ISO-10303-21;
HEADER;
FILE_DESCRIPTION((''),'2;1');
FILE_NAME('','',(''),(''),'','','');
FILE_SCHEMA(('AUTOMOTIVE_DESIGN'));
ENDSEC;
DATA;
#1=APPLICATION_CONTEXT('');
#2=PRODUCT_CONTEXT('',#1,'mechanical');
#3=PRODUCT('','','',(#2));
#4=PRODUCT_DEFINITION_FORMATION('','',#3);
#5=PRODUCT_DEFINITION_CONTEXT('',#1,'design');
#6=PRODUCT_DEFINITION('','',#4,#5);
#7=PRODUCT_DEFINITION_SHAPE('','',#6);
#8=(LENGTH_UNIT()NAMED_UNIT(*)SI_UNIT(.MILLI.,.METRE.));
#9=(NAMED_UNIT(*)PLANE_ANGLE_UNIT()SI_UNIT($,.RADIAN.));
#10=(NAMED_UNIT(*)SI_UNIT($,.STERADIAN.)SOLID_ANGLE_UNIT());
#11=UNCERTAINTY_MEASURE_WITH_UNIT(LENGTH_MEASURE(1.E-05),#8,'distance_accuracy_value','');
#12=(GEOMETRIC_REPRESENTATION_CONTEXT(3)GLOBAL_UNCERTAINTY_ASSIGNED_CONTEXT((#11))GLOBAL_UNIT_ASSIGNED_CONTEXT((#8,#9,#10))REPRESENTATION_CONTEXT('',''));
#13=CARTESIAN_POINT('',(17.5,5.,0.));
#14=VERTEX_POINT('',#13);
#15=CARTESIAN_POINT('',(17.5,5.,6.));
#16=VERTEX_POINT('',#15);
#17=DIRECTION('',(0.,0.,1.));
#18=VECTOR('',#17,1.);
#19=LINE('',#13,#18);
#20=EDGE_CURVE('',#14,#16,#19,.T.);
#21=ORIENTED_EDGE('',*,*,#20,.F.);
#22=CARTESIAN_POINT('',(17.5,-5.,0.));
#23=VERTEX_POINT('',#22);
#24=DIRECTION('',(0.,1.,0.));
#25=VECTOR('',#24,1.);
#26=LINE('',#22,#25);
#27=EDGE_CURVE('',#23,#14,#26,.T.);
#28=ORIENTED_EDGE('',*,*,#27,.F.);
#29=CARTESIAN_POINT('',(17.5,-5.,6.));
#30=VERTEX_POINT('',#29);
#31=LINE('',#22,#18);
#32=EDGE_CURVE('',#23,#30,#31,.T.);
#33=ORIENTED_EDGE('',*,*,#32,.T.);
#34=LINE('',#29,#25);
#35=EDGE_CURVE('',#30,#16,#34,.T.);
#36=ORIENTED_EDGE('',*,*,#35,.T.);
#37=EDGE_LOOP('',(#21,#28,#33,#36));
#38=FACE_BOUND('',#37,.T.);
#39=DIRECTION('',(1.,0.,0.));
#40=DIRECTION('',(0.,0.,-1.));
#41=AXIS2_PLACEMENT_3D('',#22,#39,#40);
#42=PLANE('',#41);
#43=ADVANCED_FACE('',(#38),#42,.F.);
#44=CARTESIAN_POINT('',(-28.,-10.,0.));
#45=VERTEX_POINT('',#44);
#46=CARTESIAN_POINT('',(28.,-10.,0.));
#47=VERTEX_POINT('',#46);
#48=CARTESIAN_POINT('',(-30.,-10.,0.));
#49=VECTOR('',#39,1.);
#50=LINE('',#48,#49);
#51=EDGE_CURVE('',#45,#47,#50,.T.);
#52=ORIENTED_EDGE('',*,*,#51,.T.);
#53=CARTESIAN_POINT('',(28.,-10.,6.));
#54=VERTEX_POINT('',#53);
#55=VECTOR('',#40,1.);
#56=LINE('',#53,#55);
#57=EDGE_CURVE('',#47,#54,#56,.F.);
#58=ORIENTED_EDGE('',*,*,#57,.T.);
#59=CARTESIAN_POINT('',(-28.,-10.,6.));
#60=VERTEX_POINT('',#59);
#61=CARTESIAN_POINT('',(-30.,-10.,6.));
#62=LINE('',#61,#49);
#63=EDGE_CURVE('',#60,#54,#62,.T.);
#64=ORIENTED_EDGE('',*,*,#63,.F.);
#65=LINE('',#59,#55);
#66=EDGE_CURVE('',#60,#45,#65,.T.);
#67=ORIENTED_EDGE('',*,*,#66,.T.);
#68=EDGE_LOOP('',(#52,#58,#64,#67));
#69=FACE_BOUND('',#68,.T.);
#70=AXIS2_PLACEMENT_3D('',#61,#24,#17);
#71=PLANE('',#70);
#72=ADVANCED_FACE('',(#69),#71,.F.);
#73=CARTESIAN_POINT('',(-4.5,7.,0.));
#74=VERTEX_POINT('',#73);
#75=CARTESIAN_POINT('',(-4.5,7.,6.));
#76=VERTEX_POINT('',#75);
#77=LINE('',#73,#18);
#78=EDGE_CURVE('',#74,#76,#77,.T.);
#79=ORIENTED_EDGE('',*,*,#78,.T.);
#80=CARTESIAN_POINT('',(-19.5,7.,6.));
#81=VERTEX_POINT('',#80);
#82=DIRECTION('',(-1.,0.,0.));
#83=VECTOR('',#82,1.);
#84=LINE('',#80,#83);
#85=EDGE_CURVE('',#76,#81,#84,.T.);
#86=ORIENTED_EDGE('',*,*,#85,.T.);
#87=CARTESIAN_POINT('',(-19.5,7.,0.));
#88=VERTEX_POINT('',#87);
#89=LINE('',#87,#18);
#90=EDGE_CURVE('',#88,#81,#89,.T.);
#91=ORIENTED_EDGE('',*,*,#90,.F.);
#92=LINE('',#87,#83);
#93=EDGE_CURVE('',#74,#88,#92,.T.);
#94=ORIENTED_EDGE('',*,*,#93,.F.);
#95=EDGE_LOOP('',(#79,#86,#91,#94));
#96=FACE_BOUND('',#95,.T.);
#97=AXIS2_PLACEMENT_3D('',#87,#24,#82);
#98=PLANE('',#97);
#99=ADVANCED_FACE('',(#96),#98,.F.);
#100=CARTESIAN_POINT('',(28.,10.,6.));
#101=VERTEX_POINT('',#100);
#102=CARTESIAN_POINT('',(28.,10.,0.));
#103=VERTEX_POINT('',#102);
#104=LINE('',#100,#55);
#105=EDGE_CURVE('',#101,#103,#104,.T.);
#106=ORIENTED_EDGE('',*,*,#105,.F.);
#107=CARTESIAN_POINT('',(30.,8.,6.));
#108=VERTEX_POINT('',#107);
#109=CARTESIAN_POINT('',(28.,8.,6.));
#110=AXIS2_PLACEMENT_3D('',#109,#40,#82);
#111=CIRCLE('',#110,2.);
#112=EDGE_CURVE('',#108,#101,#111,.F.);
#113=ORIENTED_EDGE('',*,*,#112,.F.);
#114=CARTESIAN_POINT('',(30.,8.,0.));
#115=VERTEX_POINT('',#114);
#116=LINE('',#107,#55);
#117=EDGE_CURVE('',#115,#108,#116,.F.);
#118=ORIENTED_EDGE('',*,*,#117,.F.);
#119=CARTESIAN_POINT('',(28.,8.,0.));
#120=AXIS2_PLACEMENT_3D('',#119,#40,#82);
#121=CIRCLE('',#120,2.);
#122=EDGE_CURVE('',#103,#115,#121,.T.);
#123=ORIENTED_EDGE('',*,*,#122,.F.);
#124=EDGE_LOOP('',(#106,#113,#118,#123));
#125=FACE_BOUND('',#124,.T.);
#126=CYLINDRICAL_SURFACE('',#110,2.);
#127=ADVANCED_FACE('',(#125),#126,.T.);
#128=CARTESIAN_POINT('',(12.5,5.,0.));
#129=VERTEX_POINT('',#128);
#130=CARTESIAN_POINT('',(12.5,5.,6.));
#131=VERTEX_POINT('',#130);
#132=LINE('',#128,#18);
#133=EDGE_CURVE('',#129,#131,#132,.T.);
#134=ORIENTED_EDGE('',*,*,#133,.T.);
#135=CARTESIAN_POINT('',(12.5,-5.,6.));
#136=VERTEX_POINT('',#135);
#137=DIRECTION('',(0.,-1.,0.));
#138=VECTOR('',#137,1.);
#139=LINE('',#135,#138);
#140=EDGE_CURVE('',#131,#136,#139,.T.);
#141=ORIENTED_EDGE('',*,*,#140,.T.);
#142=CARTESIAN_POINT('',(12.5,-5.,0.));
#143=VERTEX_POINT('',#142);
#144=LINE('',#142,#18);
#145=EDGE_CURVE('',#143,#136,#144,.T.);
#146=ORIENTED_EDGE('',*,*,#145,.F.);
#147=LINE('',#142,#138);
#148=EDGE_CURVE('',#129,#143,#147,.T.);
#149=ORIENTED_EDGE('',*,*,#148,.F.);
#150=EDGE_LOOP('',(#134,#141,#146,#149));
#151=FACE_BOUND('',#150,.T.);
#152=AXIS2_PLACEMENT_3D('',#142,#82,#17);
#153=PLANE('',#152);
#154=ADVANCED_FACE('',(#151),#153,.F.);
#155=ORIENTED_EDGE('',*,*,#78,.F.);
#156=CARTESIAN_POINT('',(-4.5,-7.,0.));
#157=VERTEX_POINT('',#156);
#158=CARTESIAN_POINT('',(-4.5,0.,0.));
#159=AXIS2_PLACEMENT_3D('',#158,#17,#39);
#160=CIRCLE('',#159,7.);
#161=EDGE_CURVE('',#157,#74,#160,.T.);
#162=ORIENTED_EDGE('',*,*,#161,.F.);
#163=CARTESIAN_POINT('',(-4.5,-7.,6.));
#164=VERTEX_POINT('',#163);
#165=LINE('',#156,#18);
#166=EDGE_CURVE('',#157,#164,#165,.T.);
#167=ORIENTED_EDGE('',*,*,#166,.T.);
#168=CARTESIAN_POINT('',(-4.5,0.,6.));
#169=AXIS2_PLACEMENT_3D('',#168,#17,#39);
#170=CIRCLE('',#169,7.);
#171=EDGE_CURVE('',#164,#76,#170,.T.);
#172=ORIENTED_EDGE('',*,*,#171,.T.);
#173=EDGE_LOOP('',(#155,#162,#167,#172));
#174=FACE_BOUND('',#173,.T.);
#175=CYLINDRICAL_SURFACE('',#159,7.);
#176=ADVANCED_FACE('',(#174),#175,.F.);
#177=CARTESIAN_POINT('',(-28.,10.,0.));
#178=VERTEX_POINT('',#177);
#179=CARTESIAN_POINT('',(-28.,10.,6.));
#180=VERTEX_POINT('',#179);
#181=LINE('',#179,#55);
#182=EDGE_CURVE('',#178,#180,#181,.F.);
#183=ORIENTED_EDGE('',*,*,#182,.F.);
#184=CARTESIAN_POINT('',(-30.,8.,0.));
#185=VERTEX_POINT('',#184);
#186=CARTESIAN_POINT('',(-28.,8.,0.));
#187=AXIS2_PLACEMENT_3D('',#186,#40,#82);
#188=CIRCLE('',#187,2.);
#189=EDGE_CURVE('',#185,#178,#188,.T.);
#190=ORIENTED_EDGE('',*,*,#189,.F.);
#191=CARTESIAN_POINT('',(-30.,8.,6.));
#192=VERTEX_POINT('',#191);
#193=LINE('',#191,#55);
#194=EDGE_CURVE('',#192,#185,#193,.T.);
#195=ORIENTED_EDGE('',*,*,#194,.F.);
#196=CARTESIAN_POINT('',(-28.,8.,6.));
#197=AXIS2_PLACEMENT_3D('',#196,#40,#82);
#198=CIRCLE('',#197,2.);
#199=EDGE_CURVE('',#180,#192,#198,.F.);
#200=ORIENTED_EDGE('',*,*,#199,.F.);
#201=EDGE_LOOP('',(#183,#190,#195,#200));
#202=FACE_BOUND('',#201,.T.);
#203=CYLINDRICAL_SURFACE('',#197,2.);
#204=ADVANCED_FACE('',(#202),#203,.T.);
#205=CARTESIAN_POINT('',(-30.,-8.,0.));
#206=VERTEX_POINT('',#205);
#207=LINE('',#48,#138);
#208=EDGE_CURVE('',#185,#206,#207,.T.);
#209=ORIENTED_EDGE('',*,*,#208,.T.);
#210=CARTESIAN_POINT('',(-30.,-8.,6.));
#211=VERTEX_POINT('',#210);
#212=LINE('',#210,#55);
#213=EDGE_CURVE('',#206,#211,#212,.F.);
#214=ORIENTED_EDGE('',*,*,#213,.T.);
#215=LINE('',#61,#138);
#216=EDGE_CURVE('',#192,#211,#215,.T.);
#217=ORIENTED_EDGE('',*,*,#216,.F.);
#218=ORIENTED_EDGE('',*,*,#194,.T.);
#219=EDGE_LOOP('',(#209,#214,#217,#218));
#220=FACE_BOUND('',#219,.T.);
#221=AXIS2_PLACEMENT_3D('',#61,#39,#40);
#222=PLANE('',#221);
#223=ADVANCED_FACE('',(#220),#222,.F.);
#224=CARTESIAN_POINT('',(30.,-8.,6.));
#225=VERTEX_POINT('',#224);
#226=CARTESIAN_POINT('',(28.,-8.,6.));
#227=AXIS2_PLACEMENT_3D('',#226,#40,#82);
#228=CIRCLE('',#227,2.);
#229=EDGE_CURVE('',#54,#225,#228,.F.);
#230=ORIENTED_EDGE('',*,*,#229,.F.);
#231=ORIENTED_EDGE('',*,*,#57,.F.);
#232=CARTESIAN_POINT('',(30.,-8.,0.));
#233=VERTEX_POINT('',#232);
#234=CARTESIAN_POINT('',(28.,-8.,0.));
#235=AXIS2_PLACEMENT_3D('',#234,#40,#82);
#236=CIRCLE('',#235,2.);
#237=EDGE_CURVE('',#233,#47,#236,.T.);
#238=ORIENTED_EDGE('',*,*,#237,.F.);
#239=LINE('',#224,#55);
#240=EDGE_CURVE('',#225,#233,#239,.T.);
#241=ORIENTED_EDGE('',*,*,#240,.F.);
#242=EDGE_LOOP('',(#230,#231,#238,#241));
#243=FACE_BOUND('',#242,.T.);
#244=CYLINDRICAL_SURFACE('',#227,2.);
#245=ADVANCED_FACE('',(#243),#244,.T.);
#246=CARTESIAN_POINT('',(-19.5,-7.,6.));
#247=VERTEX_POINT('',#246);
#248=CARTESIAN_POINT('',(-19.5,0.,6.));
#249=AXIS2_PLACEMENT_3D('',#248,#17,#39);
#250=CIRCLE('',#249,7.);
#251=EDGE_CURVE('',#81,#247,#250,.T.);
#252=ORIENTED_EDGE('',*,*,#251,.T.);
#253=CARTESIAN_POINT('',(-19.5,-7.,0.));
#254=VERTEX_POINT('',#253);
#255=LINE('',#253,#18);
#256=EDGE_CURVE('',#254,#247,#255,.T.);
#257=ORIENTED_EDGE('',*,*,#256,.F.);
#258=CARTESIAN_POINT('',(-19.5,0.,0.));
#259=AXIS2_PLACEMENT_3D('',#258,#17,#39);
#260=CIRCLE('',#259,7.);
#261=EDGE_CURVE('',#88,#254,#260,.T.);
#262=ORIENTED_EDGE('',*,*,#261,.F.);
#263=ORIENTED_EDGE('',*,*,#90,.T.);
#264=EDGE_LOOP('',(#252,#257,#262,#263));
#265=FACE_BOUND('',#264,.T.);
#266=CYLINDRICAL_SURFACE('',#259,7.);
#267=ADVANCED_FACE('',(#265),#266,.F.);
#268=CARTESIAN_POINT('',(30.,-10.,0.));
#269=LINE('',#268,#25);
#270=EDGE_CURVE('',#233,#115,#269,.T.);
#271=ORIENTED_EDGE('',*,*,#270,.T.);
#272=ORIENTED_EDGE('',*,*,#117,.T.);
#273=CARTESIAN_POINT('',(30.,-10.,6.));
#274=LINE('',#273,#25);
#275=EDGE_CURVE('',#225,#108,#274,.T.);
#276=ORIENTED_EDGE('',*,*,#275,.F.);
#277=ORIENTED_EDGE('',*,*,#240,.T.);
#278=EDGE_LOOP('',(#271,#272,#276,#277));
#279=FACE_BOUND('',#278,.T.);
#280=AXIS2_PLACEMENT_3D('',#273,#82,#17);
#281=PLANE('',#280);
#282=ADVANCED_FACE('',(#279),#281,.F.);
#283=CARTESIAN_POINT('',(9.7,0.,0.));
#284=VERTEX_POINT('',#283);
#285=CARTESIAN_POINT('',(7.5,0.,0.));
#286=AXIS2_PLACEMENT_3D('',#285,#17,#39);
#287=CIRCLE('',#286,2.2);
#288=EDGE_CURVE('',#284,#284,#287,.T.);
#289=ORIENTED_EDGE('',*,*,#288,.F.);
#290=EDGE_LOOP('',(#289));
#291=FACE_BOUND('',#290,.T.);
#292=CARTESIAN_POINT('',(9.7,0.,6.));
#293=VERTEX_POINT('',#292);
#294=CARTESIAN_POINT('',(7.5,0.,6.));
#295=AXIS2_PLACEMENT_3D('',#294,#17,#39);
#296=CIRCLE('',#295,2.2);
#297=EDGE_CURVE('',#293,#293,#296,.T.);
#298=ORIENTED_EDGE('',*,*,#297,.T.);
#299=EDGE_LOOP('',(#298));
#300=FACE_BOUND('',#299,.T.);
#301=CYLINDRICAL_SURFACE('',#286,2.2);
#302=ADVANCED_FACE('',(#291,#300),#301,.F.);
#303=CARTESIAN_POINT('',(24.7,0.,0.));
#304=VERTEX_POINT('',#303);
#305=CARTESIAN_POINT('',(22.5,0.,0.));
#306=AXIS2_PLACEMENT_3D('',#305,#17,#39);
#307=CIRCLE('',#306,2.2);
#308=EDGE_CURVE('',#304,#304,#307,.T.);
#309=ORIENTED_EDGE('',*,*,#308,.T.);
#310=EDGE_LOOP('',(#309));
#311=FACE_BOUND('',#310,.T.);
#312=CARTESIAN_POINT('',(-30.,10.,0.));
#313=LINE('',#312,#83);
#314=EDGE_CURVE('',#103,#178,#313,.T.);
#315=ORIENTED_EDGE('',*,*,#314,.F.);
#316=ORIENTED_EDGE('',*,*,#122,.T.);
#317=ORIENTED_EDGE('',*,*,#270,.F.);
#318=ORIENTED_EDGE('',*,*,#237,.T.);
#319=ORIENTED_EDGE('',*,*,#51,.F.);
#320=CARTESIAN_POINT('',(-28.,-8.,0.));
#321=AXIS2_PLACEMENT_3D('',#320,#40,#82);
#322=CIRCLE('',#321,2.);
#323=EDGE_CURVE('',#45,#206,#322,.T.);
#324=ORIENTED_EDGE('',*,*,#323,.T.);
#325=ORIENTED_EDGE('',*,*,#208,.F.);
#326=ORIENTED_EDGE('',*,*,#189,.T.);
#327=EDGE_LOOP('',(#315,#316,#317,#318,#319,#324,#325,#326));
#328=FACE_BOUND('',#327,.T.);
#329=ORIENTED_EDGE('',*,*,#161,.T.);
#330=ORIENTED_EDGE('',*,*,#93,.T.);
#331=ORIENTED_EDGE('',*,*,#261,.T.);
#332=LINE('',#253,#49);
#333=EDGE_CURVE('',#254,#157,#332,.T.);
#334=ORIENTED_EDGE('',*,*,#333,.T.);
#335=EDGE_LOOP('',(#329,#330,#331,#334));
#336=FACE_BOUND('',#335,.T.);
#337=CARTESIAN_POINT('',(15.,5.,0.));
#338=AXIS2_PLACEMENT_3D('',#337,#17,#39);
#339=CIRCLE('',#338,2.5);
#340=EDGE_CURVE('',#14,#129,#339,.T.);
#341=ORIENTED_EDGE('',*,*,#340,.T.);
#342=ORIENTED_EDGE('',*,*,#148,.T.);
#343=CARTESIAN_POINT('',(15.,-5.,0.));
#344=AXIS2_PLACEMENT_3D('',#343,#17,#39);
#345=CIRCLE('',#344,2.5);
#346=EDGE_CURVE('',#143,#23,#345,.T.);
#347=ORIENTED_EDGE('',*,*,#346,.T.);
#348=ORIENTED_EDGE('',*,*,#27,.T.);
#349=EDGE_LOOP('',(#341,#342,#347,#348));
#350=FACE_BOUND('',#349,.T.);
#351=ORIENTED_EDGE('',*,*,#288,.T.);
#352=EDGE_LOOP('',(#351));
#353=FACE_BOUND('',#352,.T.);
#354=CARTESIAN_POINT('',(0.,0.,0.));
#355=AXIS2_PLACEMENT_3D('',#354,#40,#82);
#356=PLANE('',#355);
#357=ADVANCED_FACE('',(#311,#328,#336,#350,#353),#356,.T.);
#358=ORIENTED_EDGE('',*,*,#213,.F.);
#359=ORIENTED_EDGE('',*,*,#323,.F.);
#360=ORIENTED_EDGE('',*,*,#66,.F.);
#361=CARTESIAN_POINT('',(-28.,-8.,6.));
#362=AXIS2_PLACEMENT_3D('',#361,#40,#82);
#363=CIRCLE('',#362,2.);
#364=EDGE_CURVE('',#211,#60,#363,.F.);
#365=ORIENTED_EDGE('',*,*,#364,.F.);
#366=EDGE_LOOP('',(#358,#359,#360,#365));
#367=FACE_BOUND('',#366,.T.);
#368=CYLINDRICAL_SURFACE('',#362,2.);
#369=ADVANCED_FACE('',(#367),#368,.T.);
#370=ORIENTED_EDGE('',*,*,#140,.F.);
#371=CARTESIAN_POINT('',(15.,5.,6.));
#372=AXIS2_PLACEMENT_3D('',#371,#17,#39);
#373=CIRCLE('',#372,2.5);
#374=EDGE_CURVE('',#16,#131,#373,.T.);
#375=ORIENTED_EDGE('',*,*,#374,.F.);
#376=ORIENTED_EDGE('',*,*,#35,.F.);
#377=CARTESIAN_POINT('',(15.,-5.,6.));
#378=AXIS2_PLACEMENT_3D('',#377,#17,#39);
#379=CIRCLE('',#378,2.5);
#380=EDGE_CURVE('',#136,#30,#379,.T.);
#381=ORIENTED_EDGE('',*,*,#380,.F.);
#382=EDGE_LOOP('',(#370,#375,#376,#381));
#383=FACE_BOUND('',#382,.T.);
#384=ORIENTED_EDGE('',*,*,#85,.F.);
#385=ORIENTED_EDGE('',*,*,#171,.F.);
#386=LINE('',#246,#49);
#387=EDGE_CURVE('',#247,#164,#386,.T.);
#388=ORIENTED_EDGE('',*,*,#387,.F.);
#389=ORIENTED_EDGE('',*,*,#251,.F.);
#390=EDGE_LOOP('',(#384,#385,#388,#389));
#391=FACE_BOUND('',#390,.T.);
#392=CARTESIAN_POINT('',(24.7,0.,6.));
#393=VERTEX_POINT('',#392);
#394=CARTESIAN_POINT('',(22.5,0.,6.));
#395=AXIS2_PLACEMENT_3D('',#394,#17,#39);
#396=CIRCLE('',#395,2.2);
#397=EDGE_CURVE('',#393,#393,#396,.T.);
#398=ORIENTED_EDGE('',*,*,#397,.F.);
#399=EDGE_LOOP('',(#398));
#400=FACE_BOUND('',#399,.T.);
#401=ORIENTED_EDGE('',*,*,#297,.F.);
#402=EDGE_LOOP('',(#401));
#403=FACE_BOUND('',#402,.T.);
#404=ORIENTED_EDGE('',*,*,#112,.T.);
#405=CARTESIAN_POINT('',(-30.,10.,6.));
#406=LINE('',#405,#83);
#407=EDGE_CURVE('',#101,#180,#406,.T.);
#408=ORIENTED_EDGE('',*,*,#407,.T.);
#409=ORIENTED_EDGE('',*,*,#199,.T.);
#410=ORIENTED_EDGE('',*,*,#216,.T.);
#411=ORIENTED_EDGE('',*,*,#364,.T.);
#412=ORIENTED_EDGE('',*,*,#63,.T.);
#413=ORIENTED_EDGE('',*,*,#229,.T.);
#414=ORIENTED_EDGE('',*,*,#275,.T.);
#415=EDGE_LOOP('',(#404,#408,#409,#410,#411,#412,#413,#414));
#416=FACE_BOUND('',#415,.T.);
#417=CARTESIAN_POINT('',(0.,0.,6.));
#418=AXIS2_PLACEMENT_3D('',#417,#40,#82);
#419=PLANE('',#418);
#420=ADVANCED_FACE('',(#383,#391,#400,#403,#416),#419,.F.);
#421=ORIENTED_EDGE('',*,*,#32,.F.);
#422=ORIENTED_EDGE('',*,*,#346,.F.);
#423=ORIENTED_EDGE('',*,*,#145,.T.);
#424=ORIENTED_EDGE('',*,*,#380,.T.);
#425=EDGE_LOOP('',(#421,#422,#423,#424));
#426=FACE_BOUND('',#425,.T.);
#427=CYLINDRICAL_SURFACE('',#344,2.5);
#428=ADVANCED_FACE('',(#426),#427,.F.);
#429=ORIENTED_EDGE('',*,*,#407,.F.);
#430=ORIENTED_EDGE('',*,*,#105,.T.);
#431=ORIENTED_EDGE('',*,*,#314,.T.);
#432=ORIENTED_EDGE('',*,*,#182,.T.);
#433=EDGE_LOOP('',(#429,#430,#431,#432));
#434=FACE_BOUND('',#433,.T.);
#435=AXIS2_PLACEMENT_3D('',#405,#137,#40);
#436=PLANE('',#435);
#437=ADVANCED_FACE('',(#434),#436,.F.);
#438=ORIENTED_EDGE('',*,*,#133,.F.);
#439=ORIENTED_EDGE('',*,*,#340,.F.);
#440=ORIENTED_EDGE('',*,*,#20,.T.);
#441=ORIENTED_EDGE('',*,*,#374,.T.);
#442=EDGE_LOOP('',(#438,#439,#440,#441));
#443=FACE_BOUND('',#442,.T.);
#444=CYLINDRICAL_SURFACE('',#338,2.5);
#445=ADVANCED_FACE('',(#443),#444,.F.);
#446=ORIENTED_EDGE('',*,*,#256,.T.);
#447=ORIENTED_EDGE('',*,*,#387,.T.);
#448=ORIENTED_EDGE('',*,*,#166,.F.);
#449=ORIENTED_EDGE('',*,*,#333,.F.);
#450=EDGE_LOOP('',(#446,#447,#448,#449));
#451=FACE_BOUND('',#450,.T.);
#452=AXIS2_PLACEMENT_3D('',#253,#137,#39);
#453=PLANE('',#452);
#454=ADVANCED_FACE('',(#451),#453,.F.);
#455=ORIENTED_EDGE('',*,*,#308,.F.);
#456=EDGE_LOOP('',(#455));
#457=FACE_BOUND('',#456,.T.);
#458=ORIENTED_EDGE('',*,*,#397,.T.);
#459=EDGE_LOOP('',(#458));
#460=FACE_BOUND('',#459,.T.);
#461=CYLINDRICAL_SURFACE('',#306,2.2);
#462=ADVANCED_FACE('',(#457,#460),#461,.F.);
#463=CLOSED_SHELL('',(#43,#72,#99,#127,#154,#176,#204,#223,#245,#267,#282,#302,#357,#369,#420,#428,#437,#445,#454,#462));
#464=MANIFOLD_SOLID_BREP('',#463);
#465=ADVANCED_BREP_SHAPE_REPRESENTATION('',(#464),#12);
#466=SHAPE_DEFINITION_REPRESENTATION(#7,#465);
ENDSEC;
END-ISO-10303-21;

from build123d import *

# Parameters (mm, degrees)
SKETCH_1_W          = 60
SKETCH_1_H          = 20
EXTRUDE_1_DEPTH     = 6
FILLET_1_R          = 2
SKETCH_2_R          = 2.2
CUT_EXTRUDE_1_DEPTH = 33.186953879
CUT_EXTRUDE_2_DEPTH = 33.186953879


with BuildPart() as part:
    # 草图1 → 凸台-拉伸1 (new body)
    with BuildSketch(Plane.XY):
        Rectangle(SKETCH_1_W, SKETCH_1_H)
    extrude(amount=EXTRUDE_1_DEPTH)

    # 圆角1
    fillet_1_edges = [part.edges().sort_by_distance(p)[0] for p in [
        (30, -10, 3),
        (-30, -10, 3),
        (-30, 10, 3),
        (30, 10, 3),
    ]]
    fillet(fillet_1_edges, radius=FILLET_1_R)

    # 草图2 → 切除-拉伸1 (cut, through all)
    with BuildSketch(Plane.XY.offset(6)):
        with Locations((22.5, 0)):
            Circle(SKETCH_2_R)
        with Locations((7.5, 0)):
            Circle(SKETCH_2_R)
    extrude(amount=-CUT_EXTRUDE_1_DEPTH, mode=Mode.SUBTRACT)

    # 草图3 → 切除-拉伸2 (cut, through all)
    with BuildSketch(Plane.XY.offset(6)):
        with BuildLine():
            Line((-19.5, 7), (-4.5, 7))
            ThreePointArc((-4.5, 7), (2.5, 0), (-4.5, -7))
            Line((-4.5, -7), (-19.5, -7))
            ThreePointArc((-19.5, -7), (-26.5, 0), (-19.5, 7))
        make_face()
        with BuildLine():
            Line((12.5, -5), (12.5, 5))
            ThreePointArc((12.5, 5), (15, 7.5), (17.5, 5))
            Line((17.5, 5), (17.5, -5))
            ThreePointArc((17.5, -5), (15, -7.5), (12.5, -5))
        make_face()
    extrude(amount=-CUT_EXTRUDE_2_DEPTH, mode=Mode.SUBTRACT)


solid = part.part
